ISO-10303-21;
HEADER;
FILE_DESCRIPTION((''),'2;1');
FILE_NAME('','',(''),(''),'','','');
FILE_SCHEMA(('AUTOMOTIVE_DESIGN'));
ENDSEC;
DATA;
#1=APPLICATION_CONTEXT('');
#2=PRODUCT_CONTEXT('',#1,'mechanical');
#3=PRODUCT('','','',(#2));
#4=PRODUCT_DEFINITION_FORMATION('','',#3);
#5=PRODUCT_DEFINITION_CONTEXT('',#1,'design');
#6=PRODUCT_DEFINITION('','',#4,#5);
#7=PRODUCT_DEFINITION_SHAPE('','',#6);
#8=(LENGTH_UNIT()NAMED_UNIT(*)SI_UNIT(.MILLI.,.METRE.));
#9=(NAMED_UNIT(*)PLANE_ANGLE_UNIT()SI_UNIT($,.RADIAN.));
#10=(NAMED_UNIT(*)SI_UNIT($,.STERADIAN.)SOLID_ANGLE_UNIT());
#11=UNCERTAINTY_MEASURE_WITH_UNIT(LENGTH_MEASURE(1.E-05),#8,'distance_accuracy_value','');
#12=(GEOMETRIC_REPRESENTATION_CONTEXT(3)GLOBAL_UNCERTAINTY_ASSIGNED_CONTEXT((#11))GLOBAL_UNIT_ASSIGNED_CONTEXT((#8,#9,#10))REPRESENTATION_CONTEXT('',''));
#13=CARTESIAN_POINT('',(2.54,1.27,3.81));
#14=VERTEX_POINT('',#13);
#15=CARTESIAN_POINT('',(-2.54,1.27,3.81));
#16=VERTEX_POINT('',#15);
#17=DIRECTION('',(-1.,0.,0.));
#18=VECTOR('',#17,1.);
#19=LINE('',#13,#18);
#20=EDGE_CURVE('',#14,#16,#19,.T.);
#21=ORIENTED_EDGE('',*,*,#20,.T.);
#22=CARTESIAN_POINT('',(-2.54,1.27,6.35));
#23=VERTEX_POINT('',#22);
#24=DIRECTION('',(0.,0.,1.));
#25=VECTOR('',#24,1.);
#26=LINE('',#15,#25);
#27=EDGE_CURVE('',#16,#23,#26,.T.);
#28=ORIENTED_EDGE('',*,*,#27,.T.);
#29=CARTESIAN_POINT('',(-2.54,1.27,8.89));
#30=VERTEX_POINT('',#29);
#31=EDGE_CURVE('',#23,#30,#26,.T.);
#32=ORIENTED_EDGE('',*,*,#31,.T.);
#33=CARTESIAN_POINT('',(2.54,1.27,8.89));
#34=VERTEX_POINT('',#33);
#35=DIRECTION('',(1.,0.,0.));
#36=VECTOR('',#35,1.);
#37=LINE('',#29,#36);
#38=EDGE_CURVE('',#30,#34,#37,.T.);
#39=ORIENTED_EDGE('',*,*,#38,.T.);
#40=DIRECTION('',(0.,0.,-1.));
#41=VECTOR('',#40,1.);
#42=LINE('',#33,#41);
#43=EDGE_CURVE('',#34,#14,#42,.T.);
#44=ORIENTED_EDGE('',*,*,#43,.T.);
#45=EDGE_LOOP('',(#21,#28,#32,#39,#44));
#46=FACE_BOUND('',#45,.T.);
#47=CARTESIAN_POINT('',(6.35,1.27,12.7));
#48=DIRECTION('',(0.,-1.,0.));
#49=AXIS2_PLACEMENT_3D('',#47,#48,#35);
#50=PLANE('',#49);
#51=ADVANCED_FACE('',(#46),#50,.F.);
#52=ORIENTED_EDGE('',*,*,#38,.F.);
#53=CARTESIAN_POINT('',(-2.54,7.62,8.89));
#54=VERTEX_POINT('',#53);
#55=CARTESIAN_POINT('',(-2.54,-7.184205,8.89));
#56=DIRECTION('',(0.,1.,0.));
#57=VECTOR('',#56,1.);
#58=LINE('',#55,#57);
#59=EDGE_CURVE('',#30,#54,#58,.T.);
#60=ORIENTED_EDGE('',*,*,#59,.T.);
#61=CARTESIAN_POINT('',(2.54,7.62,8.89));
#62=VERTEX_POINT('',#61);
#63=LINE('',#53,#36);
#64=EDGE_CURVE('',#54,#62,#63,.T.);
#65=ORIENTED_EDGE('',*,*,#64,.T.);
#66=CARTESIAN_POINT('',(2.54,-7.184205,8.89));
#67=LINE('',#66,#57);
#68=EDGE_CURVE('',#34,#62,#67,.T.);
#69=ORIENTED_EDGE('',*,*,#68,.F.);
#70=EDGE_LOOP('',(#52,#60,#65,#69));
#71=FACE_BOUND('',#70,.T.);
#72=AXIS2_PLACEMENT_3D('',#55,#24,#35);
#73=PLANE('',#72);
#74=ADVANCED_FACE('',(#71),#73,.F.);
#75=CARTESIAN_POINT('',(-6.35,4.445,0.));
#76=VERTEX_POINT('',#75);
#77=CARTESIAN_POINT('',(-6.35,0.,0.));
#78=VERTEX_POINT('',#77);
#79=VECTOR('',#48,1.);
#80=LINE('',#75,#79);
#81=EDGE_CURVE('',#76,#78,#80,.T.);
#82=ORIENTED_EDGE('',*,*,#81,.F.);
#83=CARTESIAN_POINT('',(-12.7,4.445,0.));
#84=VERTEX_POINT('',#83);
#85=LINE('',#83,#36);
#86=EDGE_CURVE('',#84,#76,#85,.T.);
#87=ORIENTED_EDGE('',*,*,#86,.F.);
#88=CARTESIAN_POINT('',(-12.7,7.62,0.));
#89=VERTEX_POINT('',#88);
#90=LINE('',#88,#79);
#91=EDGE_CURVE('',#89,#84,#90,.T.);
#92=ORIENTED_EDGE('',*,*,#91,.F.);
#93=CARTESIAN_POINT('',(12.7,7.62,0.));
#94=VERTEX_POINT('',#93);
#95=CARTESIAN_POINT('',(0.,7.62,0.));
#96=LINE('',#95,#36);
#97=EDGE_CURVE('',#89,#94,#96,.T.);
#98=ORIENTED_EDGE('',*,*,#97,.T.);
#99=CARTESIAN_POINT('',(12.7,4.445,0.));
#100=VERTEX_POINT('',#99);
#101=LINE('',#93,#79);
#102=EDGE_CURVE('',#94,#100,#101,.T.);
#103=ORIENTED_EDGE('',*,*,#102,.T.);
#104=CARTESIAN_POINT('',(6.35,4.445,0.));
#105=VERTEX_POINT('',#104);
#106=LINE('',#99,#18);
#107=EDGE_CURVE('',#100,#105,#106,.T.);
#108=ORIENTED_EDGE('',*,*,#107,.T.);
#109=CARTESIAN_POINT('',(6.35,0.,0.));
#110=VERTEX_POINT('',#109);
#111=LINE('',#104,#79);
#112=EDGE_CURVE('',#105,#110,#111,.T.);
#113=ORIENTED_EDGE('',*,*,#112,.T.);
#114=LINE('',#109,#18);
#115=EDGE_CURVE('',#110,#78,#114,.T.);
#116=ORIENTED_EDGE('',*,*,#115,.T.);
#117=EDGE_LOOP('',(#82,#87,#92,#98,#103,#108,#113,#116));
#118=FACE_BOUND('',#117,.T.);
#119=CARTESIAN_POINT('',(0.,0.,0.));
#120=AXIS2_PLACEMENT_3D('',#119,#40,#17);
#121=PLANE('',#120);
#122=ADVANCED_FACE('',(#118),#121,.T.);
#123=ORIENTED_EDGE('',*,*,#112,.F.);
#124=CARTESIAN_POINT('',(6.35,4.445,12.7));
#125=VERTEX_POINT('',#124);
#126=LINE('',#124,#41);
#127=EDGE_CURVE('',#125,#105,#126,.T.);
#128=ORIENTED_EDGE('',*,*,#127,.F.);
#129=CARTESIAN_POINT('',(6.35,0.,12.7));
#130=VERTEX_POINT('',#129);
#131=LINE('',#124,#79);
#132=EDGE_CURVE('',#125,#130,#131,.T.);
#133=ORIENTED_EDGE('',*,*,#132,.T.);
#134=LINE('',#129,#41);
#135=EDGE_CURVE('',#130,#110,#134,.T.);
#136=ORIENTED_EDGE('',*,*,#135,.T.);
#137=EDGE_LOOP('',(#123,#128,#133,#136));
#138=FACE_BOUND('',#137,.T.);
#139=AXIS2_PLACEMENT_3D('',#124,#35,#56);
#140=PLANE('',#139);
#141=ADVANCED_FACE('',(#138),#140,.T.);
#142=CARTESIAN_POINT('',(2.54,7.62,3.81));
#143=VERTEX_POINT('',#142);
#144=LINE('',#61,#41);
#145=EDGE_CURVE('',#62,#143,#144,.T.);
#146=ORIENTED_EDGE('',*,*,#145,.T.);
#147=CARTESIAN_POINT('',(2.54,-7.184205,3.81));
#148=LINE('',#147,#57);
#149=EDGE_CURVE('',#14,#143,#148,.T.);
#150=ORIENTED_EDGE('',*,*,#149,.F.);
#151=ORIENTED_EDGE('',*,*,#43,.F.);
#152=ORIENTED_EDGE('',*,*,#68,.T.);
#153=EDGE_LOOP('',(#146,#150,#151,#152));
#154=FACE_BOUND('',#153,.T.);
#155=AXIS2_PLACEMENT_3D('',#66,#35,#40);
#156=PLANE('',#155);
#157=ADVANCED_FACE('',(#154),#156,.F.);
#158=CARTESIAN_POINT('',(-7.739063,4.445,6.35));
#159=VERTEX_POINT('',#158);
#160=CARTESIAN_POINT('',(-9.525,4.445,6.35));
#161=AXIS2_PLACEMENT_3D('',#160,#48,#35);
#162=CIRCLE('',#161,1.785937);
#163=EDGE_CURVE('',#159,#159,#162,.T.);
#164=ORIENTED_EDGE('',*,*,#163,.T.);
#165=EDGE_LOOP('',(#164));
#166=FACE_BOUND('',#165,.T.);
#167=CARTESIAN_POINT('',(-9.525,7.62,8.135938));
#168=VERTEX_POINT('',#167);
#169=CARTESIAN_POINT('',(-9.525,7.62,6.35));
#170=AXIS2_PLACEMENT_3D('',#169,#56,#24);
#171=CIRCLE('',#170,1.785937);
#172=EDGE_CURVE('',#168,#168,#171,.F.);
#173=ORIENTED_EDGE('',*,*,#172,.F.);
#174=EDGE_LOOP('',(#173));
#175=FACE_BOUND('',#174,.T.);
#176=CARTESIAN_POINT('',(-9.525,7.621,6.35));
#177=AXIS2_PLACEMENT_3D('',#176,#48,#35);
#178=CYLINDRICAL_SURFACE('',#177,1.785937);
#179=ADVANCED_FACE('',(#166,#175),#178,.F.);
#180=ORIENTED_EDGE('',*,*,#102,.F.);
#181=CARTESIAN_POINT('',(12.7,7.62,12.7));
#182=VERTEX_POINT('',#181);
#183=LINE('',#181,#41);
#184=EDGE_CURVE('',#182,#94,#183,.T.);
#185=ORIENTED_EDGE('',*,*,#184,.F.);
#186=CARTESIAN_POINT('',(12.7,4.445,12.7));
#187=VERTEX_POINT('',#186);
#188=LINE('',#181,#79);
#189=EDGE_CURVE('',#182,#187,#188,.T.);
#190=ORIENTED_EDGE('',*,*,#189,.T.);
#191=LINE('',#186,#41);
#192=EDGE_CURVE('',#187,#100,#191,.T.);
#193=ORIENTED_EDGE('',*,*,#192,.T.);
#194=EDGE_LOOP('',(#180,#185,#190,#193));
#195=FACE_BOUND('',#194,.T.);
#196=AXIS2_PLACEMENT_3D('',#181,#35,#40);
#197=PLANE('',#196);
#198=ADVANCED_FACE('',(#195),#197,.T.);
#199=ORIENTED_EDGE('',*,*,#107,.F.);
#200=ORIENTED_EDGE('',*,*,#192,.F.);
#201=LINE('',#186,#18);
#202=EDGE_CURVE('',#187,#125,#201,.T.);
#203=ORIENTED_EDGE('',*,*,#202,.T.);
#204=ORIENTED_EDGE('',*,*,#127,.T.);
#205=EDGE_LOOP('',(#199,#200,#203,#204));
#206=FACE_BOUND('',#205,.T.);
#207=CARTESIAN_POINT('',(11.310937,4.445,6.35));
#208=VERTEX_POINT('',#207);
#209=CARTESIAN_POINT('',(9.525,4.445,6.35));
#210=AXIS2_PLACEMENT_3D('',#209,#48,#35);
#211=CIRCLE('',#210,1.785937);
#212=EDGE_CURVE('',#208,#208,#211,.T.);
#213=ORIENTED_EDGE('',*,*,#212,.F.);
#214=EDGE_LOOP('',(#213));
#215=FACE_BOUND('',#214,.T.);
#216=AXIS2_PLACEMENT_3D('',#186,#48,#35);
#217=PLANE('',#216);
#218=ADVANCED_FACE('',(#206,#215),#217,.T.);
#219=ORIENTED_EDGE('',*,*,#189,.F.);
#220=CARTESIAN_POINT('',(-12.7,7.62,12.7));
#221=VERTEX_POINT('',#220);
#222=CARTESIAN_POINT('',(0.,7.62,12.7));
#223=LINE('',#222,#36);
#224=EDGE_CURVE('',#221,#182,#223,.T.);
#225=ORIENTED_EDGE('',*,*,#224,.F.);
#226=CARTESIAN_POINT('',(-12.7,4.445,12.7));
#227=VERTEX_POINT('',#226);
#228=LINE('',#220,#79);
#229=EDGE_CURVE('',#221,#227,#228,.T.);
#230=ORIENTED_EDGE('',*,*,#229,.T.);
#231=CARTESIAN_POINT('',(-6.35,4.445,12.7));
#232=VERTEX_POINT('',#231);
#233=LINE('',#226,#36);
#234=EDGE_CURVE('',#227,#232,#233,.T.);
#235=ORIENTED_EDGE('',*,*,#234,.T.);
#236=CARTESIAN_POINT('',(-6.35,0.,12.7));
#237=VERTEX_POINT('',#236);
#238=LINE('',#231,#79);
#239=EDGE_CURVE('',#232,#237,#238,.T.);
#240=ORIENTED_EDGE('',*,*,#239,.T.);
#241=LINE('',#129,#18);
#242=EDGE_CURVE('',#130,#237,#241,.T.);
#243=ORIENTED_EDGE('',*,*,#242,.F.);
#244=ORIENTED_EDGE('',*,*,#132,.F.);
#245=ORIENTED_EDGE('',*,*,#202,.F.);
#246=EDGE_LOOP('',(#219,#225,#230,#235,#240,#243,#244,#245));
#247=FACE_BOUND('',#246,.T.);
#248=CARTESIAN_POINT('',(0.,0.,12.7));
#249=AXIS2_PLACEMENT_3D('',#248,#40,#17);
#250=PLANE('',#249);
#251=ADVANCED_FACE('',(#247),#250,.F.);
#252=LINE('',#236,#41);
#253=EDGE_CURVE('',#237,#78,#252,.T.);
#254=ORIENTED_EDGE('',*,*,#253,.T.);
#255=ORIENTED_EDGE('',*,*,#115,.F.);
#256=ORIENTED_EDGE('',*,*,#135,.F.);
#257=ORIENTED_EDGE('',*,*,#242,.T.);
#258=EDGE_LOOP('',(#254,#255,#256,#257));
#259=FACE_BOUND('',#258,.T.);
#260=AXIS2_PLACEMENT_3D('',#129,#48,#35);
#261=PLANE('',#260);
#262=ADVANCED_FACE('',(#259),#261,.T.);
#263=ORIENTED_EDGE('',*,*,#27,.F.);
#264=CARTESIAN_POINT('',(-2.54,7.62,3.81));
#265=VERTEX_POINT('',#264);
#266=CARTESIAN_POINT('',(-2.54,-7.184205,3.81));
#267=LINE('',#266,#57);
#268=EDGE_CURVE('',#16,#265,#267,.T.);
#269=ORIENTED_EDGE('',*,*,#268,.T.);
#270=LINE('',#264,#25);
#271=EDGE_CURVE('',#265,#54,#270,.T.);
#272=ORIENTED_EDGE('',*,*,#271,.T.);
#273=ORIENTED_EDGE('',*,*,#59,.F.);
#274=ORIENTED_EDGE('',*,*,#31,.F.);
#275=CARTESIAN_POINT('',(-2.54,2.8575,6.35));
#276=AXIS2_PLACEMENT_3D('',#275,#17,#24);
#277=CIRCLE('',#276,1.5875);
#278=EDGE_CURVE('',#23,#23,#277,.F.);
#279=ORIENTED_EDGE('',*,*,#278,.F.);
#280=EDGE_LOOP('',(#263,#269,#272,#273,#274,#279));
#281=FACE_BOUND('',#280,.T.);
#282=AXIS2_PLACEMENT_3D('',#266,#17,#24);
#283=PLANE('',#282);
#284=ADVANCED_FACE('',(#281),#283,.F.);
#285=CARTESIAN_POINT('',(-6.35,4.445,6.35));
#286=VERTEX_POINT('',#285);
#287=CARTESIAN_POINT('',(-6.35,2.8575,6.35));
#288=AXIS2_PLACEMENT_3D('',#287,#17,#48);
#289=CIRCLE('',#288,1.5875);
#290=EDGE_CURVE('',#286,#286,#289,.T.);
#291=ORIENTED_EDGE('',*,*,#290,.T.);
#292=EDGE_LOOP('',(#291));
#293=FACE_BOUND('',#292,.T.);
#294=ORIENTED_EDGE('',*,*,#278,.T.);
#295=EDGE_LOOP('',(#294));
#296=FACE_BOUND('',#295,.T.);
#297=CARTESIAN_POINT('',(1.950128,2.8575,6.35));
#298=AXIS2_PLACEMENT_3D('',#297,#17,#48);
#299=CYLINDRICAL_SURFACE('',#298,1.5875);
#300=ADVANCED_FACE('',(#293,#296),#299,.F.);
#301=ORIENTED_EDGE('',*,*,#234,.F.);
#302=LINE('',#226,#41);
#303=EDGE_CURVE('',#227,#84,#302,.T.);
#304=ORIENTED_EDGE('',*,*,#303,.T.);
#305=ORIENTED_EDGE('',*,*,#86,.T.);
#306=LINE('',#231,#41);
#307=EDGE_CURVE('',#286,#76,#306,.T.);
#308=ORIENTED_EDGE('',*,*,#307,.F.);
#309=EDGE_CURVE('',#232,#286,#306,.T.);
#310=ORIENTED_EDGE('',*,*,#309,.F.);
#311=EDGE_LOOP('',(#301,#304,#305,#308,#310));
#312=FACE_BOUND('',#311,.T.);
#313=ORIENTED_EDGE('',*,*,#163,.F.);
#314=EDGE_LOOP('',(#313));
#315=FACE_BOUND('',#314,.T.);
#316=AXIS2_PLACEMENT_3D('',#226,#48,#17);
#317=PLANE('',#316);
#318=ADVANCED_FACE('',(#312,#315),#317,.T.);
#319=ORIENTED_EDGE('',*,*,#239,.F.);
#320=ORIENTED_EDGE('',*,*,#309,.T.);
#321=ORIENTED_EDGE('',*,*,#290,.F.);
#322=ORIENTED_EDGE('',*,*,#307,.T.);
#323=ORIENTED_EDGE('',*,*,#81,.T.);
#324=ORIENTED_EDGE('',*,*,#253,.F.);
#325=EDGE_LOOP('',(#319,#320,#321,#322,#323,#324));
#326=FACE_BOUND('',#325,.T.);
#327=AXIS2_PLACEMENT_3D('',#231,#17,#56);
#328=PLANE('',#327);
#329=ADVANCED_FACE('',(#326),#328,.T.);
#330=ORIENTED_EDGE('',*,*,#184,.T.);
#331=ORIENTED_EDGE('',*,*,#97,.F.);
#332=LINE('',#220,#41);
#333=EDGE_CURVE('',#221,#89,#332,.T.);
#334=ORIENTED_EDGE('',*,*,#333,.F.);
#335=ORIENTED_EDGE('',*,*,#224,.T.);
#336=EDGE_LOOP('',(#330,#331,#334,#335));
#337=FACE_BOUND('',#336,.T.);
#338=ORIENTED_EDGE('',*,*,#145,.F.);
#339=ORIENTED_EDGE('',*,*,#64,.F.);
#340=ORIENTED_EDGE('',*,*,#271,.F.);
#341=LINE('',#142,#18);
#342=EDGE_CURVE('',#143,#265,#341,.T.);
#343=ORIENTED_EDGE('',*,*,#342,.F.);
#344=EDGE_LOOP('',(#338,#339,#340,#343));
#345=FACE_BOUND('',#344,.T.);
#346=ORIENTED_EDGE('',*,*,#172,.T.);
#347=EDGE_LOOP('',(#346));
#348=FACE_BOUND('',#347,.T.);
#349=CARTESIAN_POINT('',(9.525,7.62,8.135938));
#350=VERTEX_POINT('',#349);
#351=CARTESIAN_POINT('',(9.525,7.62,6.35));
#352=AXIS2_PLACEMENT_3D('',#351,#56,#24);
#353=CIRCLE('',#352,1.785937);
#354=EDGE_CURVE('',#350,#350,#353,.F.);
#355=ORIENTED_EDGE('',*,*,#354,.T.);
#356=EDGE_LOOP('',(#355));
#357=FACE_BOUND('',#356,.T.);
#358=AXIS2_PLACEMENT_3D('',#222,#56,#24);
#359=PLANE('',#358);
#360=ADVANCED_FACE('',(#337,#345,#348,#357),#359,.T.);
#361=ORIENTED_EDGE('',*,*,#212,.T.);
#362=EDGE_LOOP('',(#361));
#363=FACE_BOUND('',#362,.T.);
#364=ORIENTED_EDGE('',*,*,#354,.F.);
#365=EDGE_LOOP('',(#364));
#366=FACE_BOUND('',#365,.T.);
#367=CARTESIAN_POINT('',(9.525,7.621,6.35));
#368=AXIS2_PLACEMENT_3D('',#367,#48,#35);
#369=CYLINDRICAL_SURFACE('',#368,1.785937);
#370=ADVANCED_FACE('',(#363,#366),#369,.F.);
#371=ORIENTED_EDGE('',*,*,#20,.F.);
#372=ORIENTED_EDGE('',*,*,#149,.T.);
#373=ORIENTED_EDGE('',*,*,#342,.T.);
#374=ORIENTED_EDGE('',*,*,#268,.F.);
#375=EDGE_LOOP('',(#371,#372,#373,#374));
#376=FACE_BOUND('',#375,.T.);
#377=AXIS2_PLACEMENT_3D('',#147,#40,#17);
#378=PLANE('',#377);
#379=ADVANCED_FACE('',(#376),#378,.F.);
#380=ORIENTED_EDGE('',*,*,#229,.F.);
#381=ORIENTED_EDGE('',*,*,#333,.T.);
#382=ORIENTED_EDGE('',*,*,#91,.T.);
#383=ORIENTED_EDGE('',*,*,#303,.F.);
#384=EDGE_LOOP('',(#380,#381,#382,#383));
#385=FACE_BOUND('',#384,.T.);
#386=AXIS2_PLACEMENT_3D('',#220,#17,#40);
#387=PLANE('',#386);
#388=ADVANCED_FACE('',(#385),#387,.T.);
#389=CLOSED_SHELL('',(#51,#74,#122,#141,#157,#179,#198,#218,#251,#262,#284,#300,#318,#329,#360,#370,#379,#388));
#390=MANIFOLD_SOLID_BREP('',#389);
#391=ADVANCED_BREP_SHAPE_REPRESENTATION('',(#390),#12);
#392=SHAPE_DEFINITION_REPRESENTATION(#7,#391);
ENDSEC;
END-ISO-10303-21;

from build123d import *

# Parameters (mm, degrees)
BOSS_EXTRUDE1_DEPTH = 12.7
SKETCH3_W           = 5.08
SKETCH3_H           = 5.08
CUT_EXTRUDE1_DEPTH  = 6.35
SKETCH2_R           = 1.5875
CUT_EXTRUDE2_DEPTH  = 3.81
CUT_EXTRUDE3_REACH  = 20.502
SKETCH4_R           = 1.7859375


with BuildPart() as part:
    # Sketch1 → Boss-Extrude1 (new body)
    with BuildSketch(Plane.XY):
        Polygon((0, 0), (0, 7.62), (12.7, 7.62), (12.7, 4.445), (6.35, 4.445), (6.35, 0), align=None)
    extrude(amount=BOSS_EXTRUDE1_DEPTH)

    # Mirror1: part across plane


with BuildPart() as part_1:
    add(part.part)
    add(part.part.mirror(Plane(origin=(0, 0, 12.7), x_dir=(0, 0, 1), z_dir=(-1, 0, 0))))

    # Sketch3 → Cut-Extrude1 (cut)
    with BuildSketch(Plane(origin=(0, 7.62, 0), x_dir=(1, 0, 0), z_dir=(0, 1, 0))):
        with Locations((0, -6.35)):
            Rectangle(SKETCH3_W, SKETCH3_H)
    extrude(amount=-CUT_EXTRUDE1_DEPTH, mode=Mode.SUBTRACT)

    # Sketch2 → Cut-Extrude2 (cut)
    with BuildSketch(Plane.ZY.offset(6.35)):
        with Locations(Location((6.35, 2.8575, 0), (0, 0, 270))):
            Circle(SKETCH2_R)
    extrude(amount=-CUT_EXTRUDE2_DEPTH, mode=Mode.SUBTRACT)

    # Sketch4 → Cut-Extrude3 (cut, up to next)
    with BuildSketch(Plane.XZ.offset(-4.445), mode=Mode.PRIVATE) as cut_extrude3_sk1:
        with Locations((9.525, 6.35)):
            Circle(SKETCH4_R)
    cut_extrude3_tool1 = extrude(cut_extrude3_sk1.sketch, amount=-CUT_EXTRUDE3_REACH, mode=Mode.PRIVATE) & part_1.part
    # Sketch4 → Cut-Extrude3 (cut, up to next)
    with BuildSketch(Plane.XZ.offset(-4.445), mode=Mode.PRIVATE) as cut_extrude3_sk2:
        with Locations((-9.525, 6.35)):
            Circle(SKETCH4_R)
    cut_extrude3_tool2 = extrude(cut_extrude3_sk2.sketch, amount=-CUT_EXTRUDE3_REACH, mode=Mode.PRIVATE) & part_1.part
    add(cut_extrude3_tool1.solids().sort_by_distance((9.525, 4.445, 6.35))[0], mode=Mode.SUBTRACT)
    add(cut_extrude3_tool2.solids().sort_by_distance((-9.525, 4.445, 6.35))[0], mode=Mode.SUBTRACT)


solid = part_1.part
